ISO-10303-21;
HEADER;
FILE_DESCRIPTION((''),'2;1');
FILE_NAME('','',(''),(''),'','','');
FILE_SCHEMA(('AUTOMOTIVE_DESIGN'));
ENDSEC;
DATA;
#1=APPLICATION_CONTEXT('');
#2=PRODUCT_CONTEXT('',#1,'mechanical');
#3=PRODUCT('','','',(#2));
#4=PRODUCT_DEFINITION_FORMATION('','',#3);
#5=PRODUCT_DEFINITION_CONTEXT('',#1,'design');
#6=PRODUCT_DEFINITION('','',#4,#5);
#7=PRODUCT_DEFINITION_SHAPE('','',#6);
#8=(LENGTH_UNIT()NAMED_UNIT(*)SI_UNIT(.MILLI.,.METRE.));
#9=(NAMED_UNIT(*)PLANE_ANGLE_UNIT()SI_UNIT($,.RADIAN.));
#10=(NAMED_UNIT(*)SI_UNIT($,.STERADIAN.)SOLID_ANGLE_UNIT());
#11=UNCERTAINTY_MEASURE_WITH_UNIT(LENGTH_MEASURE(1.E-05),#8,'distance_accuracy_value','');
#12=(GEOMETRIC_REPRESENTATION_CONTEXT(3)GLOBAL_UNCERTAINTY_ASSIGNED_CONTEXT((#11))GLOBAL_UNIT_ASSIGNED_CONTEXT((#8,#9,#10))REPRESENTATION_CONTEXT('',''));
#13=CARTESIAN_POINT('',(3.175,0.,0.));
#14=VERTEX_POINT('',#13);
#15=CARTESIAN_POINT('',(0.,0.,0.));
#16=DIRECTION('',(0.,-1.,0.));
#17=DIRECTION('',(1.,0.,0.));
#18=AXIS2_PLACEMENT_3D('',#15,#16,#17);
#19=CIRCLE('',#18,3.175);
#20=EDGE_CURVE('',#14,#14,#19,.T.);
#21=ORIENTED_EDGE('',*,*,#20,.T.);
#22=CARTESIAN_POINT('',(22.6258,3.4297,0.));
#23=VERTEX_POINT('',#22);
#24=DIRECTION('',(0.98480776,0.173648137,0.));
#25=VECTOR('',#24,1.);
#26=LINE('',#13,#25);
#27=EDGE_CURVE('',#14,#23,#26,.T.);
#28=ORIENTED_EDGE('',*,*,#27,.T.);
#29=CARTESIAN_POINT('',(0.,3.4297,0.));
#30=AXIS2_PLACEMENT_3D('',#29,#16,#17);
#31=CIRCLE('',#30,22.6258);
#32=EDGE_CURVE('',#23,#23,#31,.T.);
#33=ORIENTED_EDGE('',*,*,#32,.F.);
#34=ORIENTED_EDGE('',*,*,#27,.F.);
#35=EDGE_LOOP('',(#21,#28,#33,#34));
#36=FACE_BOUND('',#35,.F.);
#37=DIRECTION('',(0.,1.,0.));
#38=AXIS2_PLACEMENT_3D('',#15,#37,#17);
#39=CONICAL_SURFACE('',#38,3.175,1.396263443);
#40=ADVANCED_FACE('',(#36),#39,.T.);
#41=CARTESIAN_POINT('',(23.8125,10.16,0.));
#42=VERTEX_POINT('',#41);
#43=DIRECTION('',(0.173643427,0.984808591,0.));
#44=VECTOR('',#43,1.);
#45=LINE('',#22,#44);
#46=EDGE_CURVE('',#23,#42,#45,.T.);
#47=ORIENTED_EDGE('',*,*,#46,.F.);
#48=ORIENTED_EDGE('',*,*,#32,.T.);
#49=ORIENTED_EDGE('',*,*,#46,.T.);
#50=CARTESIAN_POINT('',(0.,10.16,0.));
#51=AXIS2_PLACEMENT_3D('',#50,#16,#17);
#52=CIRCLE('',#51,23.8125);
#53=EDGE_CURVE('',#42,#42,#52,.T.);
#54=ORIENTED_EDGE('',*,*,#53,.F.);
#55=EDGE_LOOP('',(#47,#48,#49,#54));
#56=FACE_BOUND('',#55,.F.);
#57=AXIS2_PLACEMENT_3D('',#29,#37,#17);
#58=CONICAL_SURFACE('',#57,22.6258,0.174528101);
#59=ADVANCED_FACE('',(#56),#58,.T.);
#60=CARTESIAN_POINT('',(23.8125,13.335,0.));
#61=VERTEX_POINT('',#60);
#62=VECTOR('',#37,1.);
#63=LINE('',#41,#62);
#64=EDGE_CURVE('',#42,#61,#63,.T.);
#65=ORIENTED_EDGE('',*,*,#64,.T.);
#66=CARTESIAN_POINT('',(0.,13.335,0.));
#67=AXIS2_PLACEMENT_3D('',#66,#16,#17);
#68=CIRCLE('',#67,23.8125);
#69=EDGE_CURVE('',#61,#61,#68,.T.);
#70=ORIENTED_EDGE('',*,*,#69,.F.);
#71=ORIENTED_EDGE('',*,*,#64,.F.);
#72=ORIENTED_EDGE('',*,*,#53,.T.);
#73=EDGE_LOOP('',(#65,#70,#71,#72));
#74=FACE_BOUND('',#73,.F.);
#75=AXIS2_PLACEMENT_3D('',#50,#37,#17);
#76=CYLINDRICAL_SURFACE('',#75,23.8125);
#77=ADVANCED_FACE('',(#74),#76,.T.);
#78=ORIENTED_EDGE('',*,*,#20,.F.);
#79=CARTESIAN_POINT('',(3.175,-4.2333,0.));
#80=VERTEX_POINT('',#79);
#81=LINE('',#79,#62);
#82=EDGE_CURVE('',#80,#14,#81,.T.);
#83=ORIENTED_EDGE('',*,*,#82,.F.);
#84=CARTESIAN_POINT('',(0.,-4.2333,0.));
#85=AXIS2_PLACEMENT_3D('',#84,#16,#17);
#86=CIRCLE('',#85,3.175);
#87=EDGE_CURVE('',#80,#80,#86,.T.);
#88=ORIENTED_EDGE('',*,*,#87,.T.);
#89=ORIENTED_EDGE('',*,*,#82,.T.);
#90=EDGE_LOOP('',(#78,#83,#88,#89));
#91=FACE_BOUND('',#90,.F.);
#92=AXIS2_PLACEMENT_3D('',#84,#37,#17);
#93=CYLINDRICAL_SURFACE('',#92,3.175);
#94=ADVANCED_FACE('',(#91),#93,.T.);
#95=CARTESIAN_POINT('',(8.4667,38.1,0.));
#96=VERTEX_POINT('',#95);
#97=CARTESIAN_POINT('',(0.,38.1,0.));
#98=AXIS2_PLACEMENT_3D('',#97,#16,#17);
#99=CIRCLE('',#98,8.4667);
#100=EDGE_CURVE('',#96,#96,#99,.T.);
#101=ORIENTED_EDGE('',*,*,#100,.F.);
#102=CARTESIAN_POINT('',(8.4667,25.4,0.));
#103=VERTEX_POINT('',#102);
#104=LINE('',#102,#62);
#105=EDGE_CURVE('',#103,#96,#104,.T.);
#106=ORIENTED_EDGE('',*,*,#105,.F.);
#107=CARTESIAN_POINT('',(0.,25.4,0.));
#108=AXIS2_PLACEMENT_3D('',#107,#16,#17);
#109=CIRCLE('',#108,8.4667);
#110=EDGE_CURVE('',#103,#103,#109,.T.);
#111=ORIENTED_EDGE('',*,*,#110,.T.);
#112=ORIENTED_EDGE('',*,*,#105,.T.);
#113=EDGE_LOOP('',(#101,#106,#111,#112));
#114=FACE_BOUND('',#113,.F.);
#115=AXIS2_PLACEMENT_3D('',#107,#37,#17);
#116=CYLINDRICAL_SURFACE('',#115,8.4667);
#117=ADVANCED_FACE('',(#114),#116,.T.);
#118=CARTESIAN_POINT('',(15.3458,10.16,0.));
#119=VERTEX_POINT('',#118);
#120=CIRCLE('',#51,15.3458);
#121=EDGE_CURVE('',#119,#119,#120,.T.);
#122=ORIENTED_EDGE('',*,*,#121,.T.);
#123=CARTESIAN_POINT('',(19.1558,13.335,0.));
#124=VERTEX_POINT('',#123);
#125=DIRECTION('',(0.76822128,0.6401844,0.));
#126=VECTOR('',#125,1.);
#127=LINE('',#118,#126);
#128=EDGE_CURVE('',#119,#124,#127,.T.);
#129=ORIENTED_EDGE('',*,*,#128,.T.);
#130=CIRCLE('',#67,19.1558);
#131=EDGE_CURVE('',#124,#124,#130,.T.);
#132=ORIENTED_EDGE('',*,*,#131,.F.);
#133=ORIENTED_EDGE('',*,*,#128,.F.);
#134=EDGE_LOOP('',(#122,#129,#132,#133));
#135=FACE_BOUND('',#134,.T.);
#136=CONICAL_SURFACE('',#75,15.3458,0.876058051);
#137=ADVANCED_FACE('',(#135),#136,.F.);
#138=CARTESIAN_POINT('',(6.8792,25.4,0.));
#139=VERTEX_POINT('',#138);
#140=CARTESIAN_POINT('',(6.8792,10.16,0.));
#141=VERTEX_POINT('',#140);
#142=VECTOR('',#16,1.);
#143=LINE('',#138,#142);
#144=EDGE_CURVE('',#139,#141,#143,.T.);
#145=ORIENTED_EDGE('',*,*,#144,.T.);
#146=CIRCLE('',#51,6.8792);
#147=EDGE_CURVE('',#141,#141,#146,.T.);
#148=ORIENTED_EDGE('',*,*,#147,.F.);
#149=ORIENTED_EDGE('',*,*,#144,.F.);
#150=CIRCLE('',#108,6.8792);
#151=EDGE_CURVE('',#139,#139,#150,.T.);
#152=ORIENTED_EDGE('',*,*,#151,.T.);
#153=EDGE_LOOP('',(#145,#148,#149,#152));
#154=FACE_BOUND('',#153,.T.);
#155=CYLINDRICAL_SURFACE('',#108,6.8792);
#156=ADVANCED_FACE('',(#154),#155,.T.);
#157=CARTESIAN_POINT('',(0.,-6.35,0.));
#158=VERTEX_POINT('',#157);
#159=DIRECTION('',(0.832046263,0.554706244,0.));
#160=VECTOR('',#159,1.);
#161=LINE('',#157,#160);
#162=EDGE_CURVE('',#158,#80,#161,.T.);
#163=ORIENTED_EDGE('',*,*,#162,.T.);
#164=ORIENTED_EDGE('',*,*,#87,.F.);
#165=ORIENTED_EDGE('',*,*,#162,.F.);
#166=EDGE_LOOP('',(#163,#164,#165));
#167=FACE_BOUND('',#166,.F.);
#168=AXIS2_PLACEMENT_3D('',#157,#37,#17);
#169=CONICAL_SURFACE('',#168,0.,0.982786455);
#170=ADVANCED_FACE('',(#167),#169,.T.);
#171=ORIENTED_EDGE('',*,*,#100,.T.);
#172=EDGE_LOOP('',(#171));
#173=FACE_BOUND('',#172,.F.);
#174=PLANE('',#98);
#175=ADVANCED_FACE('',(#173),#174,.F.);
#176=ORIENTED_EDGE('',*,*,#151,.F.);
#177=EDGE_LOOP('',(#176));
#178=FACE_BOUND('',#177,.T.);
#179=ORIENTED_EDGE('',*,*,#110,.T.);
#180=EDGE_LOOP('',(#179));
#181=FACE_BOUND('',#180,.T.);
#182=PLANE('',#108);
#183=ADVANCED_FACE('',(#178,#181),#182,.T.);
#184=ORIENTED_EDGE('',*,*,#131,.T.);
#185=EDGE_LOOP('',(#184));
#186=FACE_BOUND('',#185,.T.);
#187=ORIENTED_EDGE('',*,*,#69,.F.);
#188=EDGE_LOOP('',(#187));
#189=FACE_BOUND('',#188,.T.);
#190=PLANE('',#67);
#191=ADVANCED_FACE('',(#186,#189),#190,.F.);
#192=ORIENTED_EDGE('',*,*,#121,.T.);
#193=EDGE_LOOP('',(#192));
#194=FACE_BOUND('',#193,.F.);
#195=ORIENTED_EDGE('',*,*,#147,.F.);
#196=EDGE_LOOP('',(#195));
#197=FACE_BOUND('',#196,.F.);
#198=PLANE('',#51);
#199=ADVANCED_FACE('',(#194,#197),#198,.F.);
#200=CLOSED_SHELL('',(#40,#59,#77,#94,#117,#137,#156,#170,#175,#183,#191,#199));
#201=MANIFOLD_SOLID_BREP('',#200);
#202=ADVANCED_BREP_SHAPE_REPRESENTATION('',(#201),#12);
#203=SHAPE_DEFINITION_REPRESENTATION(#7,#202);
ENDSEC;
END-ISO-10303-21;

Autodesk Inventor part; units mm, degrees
ref_plane "YZ Plane" through (0, 0, 0) normal (1, 0, 0) x (0, 1, 0)
ref_plane "XZ Plane" through (0, 0, 0) normal (0, 1, 0) x (-1, 0, 0)
ref_plane "XY Plane" through (0, 0, 0) normal (0, 0, 1) x (1, 0, 0)
sketch "Sketch1" plane through (0, 0, 0) normal (0, 0, 1) x (1, 0, 0)
  line L0 (0, 0) -> (0, 25.4)
  line L1 (0, 0) -> (0, -6.35)
  line L2 (0, 25.4) -> (0, 38.1)
  line L3 (8.4667, 25.4) -> (8.4667, 38.1)
  line L4 (8.4667, 38.1) -> (0, 38.1)
  line L5 (3.175, 17.0324) -> (0, 17.0324) construction
  line L6 (8.4667, 25.4) -> (6.8792, 25.4)
  line L7 (6.8792, 25.4) -> (0, 25.4) construction
  line L8 (0, 0) -> (3.175, 0) construction
  line L9 (3.175, 0) -> (17.91, 0) construction
  line L10 (22.6258, 3.4297) -> (23.8125, 10.16)
  line L11 (23.8125, 10.16) -> (23.8125, 13.335)
  line L12 (15.3458, 10.16) -> (6.8792, 10.16)
  line L13 (19.1558, 13.335) -> (23.8125, 13.335)
  line L14 (0, -6.35) -> (3.175, -4.2333)
  line L15 (3.175, -4.2333) -> (3.175, 0)
  line L16 (15.3458, 10.16) -> (19.1558, 13.335)
  line L17 (3.175, 0) -> (22.6258, 3.4297)
  line L18 (6.8792, 25.4) -> (6.8792, 10.16)
  dimension "d5" = 44.45
  dimension "d6" = 12.7
  dimension "d7" = 8.4667
  dimension "d12" = 2.1167
  dimension "d13" = 3.175
  dimension "d15" = 4.2333
  dimension "d18" = 3.175
  dimension "d20" = 3.175
  dimension "d21" = 3.81
  dimension "d23" = 10.16
  dimension "d24" = 10
  dimension "d26" = 23.8125
  dimension "d27" = 110
  dimension "d28" = 1.5875
  dimension "d29" = 8.4667
revolve "Revolution1" add sketch "Sketch1" angle 360 about axis through (0, 25.4, 0) along (0, -1, 0)
properties part number "Top1"
